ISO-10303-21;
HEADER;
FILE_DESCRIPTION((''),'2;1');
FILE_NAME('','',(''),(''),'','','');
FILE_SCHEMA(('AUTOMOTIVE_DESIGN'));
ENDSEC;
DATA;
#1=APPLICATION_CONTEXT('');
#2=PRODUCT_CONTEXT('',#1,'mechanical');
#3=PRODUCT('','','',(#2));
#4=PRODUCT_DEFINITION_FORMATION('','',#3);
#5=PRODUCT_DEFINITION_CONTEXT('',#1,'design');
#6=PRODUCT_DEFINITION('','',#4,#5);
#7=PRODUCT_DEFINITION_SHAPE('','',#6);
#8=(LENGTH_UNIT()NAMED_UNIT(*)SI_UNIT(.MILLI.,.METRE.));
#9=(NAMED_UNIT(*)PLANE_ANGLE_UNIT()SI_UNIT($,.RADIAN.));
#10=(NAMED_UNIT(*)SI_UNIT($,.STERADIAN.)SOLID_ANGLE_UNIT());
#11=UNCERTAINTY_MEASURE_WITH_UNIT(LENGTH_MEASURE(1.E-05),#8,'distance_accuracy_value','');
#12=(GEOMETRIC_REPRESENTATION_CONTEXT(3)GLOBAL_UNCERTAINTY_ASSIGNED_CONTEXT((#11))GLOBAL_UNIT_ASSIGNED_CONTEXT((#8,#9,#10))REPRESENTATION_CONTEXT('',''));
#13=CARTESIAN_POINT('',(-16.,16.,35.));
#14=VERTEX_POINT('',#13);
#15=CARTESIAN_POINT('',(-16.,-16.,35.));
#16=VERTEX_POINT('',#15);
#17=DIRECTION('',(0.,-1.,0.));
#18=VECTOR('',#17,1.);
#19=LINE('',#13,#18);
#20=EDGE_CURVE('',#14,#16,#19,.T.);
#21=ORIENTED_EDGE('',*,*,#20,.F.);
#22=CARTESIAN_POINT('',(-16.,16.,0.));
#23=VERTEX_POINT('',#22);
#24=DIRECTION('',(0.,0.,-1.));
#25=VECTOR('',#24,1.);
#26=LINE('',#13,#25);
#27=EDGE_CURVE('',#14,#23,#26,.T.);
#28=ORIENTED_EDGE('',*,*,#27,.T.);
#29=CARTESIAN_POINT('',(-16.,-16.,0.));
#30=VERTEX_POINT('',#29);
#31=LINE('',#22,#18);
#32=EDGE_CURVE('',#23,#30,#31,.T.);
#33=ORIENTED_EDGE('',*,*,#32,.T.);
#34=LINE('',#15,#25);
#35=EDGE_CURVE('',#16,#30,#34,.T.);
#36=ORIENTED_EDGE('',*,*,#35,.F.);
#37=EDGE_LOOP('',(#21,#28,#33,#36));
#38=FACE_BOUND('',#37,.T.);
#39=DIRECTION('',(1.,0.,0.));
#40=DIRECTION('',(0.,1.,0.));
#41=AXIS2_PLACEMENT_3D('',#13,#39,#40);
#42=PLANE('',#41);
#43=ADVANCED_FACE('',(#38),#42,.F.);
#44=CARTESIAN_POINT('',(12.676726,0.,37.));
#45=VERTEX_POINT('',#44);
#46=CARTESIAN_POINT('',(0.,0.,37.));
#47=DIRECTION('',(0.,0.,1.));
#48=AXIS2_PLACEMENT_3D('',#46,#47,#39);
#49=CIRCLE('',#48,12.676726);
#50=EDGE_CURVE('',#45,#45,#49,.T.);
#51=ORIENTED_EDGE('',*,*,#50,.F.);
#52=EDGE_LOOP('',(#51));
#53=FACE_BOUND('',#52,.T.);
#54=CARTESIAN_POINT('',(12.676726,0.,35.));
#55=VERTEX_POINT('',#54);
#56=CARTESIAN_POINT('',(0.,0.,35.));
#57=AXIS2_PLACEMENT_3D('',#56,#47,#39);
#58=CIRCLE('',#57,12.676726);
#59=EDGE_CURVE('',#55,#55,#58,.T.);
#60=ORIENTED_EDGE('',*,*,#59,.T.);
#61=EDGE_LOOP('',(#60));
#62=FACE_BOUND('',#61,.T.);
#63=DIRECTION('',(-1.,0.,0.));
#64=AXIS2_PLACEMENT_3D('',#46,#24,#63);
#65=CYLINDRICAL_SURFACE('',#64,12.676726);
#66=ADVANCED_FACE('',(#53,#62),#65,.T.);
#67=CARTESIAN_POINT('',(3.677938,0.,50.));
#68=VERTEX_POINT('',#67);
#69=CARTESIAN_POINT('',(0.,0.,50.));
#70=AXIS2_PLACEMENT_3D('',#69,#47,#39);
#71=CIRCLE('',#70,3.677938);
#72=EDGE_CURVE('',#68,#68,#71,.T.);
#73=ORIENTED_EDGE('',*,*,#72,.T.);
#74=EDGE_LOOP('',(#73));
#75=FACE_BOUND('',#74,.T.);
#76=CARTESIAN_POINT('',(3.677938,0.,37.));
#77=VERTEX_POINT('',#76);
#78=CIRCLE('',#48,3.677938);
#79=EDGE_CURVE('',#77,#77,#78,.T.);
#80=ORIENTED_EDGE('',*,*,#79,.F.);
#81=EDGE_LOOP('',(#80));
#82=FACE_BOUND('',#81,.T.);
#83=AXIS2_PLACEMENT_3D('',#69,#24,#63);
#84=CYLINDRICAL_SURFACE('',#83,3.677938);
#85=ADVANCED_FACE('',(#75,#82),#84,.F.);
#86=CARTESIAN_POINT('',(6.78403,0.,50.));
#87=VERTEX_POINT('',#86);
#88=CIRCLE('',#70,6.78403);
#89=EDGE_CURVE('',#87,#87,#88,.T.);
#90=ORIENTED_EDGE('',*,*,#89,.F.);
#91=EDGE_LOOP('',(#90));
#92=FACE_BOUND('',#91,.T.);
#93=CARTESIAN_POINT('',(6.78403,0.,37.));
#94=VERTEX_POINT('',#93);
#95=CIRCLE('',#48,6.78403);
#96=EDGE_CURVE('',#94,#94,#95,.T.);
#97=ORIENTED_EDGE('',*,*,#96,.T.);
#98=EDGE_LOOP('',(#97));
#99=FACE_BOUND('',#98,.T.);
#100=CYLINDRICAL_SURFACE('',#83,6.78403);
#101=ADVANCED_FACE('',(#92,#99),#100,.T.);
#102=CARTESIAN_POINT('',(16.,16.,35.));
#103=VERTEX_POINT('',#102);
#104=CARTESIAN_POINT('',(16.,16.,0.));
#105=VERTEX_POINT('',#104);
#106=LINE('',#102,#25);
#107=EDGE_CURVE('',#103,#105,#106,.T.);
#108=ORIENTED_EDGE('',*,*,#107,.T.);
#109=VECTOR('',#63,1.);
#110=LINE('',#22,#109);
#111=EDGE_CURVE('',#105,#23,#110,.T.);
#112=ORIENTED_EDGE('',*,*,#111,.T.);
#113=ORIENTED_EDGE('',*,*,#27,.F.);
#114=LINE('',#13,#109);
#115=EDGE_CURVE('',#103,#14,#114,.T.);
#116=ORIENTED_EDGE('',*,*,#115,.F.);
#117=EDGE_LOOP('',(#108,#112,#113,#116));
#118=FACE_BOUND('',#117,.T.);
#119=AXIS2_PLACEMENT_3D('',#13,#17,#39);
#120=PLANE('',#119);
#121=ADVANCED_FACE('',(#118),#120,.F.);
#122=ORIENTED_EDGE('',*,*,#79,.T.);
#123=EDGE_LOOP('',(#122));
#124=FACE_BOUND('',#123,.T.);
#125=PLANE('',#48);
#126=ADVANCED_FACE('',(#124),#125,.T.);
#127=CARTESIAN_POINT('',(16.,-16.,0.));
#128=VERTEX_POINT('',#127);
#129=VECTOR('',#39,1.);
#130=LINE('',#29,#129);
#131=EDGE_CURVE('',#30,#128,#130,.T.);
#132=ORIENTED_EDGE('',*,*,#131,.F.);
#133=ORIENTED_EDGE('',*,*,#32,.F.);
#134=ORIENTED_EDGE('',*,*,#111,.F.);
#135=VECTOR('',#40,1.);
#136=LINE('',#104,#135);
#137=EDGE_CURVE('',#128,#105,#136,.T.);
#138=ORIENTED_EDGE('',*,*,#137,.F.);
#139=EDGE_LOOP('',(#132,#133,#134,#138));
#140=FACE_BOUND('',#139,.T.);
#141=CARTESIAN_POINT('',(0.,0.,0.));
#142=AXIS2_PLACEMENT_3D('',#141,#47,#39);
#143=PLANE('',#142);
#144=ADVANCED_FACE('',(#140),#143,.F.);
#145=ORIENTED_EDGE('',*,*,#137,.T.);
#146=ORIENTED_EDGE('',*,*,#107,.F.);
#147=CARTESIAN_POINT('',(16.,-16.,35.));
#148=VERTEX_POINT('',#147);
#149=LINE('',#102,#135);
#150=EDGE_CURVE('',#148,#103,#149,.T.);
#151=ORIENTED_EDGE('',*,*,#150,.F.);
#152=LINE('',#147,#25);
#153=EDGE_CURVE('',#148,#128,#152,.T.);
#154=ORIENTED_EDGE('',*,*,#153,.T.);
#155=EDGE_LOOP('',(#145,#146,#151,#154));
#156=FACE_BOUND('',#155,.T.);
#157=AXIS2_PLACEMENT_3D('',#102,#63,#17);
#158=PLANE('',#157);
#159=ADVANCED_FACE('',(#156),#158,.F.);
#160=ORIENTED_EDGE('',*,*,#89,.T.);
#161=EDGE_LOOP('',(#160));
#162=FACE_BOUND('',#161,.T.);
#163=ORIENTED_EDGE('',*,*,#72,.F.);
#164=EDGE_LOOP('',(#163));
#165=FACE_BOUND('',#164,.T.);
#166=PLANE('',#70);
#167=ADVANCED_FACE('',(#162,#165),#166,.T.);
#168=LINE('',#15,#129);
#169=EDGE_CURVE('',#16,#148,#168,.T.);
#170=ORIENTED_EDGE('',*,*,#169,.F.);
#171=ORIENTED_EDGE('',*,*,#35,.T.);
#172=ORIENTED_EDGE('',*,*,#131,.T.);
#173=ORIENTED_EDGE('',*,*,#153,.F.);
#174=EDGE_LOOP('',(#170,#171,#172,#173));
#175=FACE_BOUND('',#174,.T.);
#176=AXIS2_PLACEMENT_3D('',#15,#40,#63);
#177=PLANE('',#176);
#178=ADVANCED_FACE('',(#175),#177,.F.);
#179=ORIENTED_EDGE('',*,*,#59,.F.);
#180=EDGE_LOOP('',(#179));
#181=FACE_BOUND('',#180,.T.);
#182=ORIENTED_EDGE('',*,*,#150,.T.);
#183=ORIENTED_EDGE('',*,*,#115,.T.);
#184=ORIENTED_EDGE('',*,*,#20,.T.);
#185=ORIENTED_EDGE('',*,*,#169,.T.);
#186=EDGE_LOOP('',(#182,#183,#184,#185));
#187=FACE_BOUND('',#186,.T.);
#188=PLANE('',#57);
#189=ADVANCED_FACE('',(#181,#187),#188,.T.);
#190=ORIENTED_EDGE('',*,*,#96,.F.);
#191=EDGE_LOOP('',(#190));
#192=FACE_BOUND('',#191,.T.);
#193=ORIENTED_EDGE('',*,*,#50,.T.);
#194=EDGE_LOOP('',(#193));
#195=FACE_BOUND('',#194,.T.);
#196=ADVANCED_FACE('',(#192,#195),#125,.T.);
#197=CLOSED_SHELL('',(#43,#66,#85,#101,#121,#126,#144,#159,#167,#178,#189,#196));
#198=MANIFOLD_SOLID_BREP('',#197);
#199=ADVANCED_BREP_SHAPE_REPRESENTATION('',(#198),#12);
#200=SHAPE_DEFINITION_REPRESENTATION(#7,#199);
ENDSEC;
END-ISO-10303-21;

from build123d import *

# Parameters (mm, degrees)
ESQUISSE1_W        = 32
ESQUISSE1_H        = 32
BOSS_EXTRU_1_DEPTH = 35
ESQUISSE2_R        = 6.784029575
ESQUISSE2_R_2      = 3.677937746
BOSS_EXTRU_2_DEPTH = 15
ESQUISSE3_R        = 12.676726104
BOSS_EXTRU_3_DEPTH = 2


with BuildPart() as part:
    # Esquisse1 → Boss.-Extru.1 (new body)
    with BuildSketch(Plane.XY):
        Rectangle(ESQUISSE1_W, ESQUISSE1_H)
    extrude(amount=BOSS_EXTRU_1_DEPTH)

    # Esquisse2 → Boss.-Extru.2 (add)
    with BuildSketch(Plane.XY.offset(35)):
        Circle(ESQUISSE2_R)
        Circle(ESQUISSE2_R_2, mode=Mode.SUBTRACT)
    extrude(amount=BOSS_EXTRU_2_DEPTH)

    # Esquisse3 → Boss.-Extru.3 (add)
    with BuildSketch(Plane.XY.offset(35)):
        Circle(ESQUISSE3_R)
    extrude(amount=BOSS_EXTRU_3_DEPTH)


solid = part.part
